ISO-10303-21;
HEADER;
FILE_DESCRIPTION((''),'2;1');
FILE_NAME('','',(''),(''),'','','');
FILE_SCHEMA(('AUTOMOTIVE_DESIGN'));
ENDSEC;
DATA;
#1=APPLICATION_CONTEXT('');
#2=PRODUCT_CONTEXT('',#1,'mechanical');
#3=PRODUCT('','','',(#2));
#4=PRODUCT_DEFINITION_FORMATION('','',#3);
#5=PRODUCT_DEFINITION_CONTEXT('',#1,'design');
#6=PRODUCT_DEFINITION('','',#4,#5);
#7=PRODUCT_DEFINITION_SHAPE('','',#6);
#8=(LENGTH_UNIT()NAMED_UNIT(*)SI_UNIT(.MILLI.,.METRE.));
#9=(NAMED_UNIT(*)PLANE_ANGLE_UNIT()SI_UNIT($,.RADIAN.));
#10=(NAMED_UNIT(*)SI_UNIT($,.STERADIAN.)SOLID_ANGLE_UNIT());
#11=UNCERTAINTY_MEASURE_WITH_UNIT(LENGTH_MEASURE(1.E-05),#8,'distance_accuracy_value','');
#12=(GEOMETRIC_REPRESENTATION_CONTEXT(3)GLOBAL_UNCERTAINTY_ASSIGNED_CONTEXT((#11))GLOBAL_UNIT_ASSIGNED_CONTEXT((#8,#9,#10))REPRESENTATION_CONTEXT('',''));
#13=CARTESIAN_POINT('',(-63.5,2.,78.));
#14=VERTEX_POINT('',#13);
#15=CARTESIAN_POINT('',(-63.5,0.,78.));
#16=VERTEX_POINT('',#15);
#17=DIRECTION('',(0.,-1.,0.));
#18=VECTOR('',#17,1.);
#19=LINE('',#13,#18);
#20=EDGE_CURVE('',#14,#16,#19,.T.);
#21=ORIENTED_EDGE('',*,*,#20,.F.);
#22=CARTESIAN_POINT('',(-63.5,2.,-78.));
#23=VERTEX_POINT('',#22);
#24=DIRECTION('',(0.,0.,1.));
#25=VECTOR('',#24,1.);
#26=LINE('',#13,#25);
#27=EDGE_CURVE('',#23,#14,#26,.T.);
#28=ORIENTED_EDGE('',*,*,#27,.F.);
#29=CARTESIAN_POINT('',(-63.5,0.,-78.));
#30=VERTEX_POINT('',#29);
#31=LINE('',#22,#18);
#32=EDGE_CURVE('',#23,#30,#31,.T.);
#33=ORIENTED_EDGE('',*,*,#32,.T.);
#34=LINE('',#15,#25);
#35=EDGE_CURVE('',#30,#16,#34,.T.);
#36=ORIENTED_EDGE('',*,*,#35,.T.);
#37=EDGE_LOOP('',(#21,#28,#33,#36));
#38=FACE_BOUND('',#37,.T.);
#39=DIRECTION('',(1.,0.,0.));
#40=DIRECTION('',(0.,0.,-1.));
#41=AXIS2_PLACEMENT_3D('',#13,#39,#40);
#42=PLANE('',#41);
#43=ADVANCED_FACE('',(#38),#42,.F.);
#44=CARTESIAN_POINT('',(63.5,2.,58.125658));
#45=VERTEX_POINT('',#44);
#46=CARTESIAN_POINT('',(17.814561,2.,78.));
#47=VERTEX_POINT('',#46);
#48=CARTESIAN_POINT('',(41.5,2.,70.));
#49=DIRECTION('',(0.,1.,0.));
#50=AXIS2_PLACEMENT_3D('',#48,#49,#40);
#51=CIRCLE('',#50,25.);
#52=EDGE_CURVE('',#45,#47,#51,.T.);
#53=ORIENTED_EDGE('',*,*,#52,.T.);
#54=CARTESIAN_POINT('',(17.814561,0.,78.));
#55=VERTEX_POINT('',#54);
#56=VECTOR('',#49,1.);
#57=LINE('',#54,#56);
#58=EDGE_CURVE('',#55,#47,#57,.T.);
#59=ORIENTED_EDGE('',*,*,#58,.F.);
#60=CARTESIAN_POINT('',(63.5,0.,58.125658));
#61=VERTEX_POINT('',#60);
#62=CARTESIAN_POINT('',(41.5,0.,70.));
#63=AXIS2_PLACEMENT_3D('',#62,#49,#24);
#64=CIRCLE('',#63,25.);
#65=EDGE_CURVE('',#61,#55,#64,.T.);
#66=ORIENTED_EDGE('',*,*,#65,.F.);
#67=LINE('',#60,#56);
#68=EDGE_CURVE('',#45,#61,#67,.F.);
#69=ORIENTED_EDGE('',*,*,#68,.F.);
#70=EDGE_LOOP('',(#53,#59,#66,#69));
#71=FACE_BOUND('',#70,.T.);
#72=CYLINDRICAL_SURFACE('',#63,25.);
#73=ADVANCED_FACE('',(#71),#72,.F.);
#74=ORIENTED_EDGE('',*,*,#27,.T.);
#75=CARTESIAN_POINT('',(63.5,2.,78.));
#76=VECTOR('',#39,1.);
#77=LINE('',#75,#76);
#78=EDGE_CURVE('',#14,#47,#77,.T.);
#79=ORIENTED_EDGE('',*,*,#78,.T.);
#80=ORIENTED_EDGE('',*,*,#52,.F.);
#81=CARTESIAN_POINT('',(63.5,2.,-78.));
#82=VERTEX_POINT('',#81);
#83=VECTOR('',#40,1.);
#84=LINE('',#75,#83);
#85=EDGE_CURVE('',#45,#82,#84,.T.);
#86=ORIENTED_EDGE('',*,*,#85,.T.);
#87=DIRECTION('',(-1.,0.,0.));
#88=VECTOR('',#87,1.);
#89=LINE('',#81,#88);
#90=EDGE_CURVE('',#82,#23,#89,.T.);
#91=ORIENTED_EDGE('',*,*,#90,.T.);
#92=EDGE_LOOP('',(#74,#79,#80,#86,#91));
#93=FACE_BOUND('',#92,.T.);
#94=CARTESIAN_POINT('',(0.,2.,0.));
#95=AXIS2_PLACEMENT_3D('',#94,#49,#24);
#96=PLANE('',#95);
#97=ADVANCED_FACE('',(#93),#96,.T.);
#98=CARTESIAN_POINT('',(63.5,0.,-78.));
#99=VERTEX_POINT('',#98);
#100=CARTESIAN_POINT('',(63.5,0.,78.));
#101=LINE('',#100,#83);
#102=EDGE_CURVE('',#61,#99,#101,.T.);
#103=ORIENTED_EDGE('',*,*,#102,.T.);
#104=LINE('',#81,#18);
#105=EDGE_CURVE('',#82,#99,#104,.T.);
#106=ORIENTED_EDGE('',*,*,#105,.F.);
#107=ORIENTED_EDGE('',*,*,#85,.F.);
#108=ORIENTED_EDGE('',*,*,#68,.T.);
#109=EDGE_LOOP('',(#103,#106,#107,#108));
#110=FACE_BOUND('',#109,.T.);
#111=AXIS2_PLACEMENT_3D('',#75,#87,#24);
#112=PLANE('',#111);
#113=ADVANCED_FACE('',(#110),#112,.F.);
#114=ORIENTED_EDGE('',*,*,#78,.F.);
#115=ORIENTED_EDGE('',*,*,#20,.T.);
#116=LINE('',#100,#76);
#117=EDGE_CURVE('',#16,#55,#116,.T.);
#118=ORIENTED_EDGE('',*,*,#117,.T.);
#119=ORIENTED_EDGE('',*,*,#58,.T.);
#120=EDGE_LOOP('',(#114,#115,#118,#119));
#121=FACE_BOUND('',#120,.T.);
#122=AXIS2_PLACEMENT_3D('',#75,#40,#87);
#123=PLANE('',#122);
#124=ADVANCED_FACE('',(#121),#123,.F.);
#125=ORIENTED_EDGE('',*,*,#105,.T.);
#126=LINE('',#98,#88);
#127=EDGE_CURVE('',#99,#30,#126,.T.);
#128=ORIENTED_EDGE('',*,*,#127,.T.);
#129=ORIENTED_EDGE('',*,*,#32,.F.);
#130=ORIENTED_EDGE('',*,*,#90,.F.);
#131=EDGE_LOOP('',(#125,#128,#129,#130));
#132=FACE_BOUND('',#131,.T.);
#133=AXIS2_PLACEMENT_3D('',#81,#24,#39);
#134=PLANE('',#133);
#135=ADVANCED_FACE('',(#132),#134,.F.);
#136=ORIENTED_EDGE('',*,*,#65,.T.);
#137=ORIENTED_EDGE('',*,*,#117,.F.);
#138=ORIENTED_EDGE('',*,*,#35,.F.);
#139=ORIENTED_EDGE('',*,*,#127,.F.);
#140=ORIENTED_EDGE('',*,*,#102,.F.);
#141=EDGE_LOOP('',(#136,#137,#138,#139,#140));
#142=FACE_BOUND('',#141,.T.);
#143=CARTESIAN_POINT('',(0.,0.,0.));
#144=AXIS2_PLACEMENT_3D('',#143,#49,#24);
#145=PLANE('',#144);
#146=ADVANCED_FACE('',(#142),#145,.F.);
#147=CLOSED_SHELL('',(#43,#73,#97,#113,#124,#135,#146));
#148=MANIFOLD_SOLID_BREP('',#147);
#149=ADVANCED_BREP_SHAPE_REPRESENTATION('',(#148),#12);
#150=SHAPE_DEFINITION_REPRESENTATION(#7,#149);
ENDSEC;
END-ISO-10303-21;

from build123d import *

# Parameters (mm, degrees)
SKETCH1_W           = 127
SKETCH1_H           = 156
BOSS_EXTRUDE1_DEPTH = 2
SKETCH2_R           = 25
CUT_EXTRUDE1_DEPTH  = 2


with BuildPart() as part:
    # Sketch1 → Boss-Extrude1 (new body)
    with BuildSketch(Plane(origin=(0, 0, 0), x_dir=(1, 0, 0), z_dir=(0, 1, 0))):
        Rectangle(SKETCH1_W, SKETCH1_H)
    extrude(amount=BOSS_EXTRUDE1_DEPTH)

    # Sketch2 → Cut-Extrude1 (cut)
    with BuildSketch(Plane(origin=(0, 2, 0), x_dir=(1, 0, 0), z_dir=(0, 1, 0))):
        with Locations((41.5, -70)):
            Circle(SKETCH2_R)
    extrude(amount=-CUT_EXTRUDE1_DEPTH, mode=Mode.SUBTRACT)


solid = part.part
